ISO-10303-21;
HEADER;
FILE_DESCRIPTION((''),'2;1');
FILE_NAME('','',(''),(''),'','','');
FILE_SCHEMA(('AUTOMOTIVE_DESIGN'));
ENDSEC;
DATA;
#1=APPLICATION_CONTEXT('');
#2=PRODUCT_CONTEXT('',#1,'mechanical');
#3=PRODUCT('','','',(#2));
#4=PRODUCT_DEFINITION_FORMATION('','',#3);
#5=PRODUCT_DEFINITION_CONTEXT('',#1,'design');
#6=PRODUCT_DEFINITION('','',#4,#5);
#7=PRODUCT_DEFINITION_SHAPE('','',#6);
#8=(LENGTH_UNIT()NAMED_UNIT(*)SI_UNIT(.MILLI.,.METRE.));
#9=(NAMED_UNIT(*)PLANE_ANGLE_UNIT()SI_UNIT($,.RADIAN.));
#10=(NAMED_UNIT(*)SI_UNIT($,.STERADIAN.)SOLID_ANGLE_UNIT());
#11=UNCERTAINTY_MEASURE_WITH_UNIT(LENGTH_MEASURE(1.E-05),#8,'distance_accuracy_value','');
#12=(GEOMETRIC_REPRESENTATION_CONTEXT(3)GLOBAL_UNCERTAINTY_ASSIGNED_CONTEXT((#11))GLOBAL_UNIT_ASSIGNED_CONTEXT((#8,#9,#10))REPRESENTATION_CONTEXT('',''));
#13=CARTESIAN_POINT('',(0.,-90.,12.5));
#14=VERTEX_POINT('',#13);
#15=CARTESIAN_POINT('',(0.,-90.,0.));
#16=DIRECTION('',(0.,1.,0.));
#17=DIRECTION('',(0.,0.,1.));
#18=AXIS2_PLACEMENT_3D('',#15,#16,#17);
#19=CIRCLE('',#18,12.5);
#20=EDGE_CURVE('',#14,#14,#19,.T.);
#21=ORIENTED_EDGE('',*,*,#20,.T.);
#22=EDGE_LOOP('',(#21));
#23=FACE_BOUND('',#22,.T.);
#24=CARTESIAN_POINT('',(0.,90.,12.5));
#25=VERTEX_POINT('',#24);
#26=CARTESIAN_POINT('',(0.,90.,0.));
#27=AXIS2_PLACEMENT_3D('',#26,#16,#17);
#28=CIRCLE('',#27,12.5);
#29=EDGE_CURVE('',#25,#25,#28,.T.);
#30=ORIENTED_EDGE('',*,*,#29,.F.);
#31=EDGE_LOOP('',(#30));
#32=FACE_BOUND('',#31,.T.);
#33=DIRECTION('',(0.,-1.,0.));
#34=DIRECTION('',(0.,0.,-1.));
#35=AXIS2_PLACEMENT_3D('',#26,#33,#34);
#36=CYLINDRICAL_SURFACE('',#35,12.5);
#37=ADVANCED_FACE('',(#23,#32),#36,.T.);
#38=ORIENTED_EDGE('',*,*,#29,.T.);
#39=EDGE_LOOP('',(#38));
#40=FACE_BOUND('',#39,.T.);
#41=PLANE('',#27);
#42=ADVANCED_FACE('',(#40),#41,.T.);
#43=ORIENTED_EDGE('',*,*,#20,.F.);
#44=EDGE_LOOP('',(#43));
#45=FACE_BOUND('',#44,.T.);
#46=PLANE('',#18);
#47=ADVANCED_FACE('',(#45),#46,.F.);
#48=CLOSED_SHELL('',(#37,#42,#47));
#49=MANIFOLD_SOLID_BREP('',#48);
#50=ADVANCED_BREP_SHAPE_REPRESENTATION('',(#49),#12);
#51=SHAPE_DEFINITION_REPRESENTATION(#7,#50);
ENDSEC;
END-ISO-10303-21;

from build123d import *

# Parameters (mm, degrees)
SKETCH1_R           = 12.5
BOSS_EXTRUDE1_DEPTH = 90


with BuildPart() as part:
    # Sketch1 → Boss-Extrude1 (new body, symmetric)
    with BuildSketch(Plane(origin=(0, 0, 0), x_dir=(1, 0, 0), z_dir=(0, 1, 0))):
        Circle(SKETCH1_R)
    extrude(amount=BOSS_EXTRUDE1_DEPTH, both=True)


solid = part.part
